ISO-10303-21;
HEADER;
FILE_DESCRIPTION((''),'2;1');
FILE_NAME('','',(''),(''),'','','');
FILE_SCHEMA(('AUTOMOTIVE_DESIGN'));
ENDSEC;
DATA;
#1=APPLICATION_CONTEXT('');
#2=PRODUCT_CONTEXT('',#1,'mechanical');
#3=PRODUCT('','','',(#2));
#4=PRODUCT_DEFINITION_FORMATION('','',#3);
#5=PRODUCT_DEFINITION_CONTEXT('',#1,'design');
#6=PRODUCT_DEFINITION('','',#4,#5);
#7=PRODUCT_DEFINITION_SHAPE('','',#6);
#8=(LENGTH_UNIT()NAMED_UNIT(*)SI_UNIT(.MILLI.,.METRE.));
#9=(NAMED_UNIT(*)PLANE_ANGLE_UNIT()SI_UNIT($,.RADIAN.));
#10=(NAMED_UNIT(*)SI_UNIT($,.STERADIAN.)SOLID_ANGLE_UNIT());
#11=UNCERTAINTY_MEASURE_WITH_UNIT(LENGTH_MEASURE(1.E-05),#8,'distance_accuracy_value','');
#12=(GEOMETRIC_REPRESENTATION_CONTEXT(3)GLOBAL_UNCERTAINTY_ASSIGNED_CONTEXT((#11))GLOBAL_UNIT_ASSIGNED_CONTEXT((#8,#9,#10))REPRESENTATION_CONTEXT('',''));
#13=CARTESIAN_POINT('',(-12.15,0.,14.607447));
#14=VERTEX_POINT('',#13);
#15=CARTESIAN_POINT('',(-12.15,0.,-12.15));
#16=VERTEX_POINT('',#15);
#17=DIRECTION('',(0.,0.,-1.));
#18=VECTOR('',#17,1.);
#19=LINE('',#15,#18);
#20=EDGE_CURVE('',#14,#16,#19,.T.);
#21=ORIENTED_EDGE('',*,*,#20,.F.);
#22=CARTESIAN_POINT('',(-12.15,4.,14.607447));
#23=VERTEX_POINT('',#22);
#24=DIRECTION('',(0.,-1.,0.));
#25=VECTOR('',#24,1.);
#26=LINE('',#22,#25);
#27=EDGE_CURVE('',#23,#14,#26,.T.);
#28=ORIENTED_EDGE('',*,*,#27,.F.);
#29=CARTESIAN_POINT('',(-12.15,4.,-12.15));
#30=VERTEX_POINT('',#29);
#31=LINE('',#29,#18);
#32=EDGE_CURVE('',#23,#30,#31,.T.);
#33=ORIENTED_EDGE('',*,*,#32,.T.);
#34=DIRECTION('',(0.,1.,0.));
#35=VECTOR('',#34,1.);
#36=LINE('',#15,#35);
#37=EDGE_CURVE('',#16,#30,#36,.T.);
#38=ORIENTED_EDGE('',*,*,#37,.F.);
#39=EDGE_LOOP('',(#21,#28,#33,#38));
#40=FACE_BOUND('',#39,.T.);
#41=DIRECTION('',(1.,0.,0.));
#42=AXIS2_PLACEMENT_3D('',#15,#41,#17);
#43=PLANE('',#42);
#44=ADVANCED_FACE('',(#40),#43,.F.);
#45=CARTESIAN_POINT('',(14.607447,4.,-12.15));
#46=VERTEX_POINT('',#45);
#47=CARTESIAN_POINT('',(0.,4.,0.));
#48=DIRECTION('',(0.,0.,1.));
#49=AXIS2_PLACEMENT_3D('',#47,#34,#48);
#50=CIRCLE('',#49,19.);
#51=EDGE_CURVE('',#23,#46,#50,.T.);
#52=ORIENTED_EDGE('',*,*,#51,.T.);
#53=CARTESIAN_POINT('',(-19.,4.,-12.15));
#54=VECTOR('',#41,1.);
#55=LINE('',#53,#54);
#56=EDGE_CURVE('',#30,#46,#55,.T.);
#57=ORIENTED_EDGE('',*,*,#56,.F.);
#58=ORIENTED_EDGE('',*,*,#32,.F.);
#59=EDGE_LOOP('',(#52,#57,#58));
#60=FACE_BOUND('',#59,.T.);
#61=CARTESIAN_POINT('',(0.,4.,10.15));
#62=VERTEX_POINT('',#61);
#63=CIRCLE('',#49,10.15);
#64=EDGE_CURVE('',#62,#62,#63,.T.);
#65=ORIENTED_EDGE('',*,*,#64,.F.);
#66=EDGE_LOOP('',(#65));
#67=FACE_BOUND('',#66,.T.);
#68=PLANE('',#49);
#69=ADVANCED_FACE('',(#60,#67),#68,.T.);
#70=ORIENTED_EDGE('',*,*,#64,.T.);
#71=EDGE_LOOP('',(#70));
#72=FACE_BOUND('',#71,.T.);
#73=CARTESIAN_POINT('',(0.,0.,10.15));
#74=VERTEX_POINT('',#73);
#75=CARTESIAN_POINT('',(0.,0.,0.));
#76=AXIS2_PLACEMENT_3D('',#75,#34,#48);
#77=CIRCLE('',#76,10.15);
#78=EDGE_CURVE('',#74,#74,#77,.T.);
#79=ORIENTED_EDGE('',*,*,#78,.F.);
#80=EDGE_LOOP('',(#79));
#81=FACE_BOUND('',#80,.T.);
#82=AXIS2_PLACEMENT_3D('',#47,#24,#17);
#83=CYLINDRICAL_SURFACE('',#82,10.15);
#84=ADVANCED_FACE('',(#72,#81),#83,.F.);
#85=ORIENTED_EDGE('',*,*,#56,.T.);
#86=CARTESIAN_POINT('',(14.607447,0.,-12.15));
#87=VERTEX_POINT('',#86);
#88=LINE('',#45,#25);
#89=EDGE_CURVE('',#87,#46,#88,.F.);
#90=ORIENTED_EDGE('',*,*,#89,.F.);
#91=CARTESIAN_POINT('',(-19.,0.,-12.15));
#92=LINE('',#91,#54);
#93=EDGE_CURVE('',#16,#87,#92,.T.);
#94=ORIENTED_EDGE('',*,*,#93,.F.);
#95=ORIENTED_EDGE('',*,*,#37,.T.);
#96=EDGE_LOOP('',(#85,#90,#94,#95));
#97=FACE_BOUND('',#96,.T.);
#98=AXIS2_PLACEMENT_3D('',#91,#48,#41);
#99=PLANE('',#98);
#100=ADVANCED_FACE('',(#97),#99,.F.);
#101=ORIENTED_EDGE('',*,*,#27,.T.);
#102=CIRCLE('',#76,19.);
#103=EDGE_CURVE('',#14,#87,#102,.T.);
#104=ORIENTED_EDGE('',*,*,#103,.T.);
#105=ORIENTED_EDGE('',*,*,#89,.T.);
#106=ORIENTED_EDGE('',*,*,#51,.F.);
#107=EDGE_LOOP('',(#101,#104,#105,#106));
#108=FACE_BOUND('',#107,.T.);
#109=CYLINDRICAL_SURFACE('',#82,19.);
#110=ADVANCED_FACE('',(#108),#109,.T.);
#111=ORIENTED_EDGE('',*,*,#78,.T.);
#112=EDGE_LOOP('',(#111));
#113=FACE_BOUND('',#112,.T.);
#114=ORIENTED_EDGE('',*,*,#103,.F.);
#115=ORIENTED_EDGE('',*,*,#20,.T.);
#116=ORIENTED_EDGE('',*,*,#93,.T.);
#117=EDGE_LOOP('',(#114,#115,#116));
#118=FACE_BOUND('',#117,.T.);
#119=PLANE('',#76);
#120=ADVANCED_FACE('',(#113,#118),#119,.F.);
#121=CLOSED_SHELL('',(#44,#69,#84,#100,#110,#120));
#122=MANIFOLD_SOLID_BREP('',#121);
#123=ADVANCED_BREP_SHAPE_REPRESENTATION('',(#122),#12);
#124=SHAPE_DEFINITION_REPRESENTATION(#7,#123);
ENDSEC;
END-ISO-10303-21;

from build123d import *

# Parameters (mm, degrees)
SKETCH_1_R          = 19
SKETCH_1_R_2        = 10.15
EXTRUDE_2_DEPTH     = 4
SKETCH_3_W          = 38
SKETCH_3_H          = 10
CUT_EXTRUDE_8_DEPTH = 28.166155414
SKETCH_4_W          = 10
SKETCH_4_H          = 31.15
CUT_EXTRUDE_9_DEPTH = 28.166155414


with BuildPart() as part:
    # 草图1 → 凸台-拉伸2 (new body)
    with BuildSketch(Plane(origin=(0, 0, 0), x_dir=(1, 0, 0), z_dir=(0, 1, 0))):
        with Locations(Location((0, 0, 0), (0, 0, 270))):
            Circle(SKETCH_1_R)
        with Locations(Location((0, 0, 0), (0, 0, 270))):
            Circle(SKETCH_1_R_2, mode=Mode.SUBTRACT)
    extrude(amount=EXTRUDE_2_DEPTH)

    # 草图3 → 切除-拉伸8 (cut, through all)
    with BuildSketch(Plane(origin=(0, 4, 0), x_dir=(1, 0, 0), z_dir=(0, 1, 0))):
        with Locations((0, 17.15)):
            Rectangle(SKETCH_3_W, SKETCH_3_H)
    extrude(amount=-CUT_EXTRUDE_8_DEPTH, mode=Mode.SUBTRACT)

    # 草图4 → 切除-拉伸9 (cut, through all)
    with BuildSketch(Plane(origin=(0, 4, 0), x_dir=(1, 0, 0), z_dir=(0, 1, 0))):
        with Locations((-17.15, -3.425)):
            Rectangle(SKETCH_4_W, SKETCH_4_H)
    extrude(amount=-CUT_EXTRUDE_9_DEPTH, mode=Mode.SUBTRACT)


solid = part.part
